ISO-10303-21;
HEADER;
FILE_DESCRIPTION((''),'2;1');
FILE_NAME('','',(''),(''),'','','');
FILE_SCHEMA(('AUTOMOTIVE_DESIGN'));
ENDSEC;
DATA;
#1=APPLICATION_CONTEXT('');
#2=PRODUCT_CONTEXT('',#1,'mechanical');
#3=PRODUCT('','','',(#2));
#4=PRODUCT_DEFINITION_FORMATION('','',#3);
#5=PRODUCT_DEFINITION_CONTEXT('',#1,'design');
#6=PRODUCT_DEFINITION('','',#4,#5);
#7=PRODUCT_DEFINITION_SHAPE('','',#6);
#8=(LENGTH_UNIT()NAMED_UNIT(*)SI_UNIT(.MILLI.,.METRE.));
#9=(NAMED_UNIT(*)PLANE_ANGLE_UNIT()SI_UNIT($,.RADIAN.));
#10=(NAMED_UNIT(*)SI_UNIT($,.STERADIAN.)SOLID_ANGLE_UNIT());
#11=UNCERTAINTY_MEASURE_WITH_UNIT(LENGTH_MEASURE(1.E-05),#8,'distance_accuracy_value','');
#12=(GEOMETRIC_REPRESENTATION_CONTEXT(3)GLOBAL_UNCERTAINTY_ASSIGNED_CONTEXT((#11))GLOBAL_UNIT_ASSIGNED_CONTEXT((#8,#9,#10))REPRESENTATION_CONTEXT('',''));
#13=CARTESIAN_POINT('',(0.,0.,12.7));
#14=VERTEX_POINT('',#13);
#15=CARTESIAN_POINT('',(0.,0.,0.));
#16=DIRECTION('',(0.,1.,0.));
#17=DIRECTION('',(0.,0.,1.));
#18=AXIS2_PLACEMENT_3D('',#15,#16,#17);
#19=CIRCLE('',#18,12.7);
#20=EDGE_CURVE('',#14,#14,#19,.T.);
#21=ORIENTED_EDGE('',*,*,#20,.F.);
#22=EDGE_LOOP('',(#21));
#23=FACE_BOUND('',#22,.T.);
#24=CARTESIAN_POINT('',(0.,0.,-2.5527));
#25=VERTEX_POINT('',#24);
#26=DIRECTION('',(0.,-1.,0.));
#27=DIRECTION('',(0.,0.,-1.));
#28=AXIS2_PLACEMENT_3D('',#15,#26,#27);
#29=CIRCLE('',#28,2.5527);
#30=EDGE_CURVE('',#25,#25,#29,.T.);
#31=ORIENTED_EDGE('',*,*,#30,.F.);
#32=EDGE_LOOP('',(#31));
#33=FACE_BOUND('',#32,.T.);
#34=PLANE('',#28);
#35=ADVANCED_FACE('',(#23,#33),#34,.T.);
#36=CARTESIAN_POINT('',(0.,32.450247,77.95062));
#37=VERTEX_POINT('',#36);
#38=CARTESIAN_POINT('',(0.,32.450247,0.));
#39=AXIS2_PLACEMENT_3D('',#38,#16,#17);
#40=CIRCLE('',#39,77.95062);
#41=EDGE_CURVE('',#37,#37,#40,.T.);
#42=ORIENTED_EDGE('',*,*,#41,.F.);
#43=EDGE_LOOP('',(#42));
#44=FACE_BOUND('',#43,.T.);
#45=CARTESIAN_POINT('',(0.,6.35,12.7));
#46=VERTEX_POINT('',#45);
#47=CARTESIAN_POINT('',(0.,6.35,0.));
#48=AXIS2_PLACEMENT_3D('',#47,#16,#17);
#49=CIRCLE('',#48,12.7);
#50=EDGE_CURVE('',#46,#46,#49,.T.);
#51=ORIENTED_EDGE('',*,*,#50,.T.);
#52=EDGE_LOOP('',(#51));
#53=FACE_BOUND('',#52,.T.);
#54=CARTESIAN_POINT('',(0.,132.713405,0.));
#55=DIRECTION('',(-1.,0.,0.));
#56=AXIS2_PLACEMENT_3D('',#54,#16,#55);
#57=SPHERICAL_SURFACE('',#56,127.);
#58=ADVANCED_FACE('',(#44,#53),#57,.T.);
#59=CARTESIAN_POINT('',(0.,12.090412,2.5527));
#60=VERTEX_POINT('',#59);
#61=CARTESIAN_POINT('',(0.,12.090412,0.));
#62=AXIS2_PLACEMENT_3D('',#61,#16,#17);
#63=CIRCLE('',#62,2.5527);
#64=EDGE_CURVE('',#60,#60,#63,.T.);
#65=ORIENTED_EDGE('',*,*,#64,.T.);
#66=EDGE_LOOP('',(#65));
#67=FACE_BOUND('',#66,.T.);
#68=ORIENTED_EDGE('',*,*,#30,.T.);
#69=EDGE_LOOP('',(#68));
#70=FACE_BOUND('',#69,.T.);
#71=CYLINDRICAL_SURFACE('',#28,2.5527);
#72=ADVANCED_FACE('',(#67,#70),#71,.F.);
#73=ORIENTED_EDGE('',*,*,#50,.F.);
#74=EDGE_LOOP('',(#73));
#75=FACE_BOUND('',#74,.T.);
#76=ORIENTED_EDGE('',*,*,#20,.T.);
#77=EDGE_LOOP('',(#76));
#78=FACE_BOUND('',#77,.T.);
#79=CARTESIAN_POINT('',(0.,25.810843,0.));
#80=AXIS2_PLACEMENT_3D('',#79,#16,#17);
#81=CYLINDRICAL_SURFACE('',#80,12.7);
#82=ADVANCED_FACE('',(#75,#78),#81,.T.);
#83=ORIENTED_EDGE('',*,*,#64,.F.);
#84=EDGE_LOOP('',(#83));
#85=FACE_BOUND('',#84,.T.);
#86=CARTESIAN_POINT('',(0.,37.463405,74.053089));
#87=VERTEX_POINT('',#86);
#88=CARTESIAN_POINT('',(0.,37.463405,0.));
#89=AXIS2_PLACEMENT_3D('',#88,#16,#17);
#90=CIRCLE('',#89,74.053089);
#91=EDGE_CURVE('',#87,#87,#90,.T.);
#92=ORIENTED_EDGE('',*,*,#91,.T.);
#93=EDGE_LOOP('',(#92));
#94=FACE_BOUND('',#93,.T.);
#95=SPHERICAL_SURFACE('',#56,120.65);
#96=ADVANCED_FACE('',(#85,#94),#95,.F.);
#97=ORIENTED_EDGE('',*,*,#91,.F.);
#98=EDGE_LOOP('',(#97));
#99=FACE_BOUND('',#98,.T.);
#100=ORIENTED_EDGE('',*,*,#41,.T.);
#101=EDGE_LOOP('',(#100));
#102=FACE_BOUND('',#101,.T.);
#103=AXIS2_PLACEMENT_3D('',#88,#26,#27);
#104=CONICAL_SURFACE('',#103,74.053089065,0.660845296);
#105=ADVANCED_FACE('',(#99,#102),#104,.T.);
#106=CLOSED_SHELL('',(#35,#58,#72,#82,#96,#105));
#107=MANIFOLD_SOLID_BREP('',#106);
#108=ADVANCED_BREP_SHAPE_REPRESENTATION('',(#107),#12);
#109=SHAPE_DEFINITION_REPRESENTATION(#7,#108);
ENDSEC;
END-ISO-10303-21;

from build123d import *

# Parameters (mm, degrees)
F_1_4_20_TAPPED_HOLE1_D     = 5.1054
F_1_4_20_TAPPED_HOLE1_DEPTH = 12.7
F_1_4_20_TAPPED_HOLE1_TIP   = 1.533816902


with BuildPart() as part:
    # Sketch1 → Revolve1 (revolve)
    with BuildSketch(Plane.XY):
        with BuildLine():
            Line((0, 0), (-12.7, 0))
            Line((-12.7, 0), (-12.7, 6.35))
            ThreePointArc((-12.7, 6.35), (-47.166613701, 14.796863892), (-77.950620068, 32.450246618))
            Line((-77.950620068, 32.450246618), (-74.053089065, 37.463404513))
            ThreePointArc((-74.053089065, 37.463404513), (-39.144028919, 18.589929714), (0, 12.063404513))
            Line((0, 12.063404513), (0, 0))
        make_face()
    revolve(axis=Axis((0, 25.810843339, 0), (0, -1, 0)))

    # 1/4-20 Tapped Hole1
    with Locations(Plane(origin=(0, 0, 0), x_dir=(-1, 0, 0), z_dir=(0, -1, 0))):
        with Locations((0, 0)):
            Hole(F_1_4_20_TAPPED_HOLE1_D / 2, depth=F_1_4_20_TAPPED_HOLE1_DEPTH)
            with Locations((0, 0, -(F_1_4_20_TAPPED_HOLE1_DEPTH + F_1_4_20_TAPPED_HOLE1_TIP / 2))):  # 118° drill point
                Cone(0, F_1_4_20_TAPPED_HOLE1_D / 2, F_1_4_20_TAPPED_HOLE1_TIP, mode=Mode.SUBTRACT)


solid = part.part
